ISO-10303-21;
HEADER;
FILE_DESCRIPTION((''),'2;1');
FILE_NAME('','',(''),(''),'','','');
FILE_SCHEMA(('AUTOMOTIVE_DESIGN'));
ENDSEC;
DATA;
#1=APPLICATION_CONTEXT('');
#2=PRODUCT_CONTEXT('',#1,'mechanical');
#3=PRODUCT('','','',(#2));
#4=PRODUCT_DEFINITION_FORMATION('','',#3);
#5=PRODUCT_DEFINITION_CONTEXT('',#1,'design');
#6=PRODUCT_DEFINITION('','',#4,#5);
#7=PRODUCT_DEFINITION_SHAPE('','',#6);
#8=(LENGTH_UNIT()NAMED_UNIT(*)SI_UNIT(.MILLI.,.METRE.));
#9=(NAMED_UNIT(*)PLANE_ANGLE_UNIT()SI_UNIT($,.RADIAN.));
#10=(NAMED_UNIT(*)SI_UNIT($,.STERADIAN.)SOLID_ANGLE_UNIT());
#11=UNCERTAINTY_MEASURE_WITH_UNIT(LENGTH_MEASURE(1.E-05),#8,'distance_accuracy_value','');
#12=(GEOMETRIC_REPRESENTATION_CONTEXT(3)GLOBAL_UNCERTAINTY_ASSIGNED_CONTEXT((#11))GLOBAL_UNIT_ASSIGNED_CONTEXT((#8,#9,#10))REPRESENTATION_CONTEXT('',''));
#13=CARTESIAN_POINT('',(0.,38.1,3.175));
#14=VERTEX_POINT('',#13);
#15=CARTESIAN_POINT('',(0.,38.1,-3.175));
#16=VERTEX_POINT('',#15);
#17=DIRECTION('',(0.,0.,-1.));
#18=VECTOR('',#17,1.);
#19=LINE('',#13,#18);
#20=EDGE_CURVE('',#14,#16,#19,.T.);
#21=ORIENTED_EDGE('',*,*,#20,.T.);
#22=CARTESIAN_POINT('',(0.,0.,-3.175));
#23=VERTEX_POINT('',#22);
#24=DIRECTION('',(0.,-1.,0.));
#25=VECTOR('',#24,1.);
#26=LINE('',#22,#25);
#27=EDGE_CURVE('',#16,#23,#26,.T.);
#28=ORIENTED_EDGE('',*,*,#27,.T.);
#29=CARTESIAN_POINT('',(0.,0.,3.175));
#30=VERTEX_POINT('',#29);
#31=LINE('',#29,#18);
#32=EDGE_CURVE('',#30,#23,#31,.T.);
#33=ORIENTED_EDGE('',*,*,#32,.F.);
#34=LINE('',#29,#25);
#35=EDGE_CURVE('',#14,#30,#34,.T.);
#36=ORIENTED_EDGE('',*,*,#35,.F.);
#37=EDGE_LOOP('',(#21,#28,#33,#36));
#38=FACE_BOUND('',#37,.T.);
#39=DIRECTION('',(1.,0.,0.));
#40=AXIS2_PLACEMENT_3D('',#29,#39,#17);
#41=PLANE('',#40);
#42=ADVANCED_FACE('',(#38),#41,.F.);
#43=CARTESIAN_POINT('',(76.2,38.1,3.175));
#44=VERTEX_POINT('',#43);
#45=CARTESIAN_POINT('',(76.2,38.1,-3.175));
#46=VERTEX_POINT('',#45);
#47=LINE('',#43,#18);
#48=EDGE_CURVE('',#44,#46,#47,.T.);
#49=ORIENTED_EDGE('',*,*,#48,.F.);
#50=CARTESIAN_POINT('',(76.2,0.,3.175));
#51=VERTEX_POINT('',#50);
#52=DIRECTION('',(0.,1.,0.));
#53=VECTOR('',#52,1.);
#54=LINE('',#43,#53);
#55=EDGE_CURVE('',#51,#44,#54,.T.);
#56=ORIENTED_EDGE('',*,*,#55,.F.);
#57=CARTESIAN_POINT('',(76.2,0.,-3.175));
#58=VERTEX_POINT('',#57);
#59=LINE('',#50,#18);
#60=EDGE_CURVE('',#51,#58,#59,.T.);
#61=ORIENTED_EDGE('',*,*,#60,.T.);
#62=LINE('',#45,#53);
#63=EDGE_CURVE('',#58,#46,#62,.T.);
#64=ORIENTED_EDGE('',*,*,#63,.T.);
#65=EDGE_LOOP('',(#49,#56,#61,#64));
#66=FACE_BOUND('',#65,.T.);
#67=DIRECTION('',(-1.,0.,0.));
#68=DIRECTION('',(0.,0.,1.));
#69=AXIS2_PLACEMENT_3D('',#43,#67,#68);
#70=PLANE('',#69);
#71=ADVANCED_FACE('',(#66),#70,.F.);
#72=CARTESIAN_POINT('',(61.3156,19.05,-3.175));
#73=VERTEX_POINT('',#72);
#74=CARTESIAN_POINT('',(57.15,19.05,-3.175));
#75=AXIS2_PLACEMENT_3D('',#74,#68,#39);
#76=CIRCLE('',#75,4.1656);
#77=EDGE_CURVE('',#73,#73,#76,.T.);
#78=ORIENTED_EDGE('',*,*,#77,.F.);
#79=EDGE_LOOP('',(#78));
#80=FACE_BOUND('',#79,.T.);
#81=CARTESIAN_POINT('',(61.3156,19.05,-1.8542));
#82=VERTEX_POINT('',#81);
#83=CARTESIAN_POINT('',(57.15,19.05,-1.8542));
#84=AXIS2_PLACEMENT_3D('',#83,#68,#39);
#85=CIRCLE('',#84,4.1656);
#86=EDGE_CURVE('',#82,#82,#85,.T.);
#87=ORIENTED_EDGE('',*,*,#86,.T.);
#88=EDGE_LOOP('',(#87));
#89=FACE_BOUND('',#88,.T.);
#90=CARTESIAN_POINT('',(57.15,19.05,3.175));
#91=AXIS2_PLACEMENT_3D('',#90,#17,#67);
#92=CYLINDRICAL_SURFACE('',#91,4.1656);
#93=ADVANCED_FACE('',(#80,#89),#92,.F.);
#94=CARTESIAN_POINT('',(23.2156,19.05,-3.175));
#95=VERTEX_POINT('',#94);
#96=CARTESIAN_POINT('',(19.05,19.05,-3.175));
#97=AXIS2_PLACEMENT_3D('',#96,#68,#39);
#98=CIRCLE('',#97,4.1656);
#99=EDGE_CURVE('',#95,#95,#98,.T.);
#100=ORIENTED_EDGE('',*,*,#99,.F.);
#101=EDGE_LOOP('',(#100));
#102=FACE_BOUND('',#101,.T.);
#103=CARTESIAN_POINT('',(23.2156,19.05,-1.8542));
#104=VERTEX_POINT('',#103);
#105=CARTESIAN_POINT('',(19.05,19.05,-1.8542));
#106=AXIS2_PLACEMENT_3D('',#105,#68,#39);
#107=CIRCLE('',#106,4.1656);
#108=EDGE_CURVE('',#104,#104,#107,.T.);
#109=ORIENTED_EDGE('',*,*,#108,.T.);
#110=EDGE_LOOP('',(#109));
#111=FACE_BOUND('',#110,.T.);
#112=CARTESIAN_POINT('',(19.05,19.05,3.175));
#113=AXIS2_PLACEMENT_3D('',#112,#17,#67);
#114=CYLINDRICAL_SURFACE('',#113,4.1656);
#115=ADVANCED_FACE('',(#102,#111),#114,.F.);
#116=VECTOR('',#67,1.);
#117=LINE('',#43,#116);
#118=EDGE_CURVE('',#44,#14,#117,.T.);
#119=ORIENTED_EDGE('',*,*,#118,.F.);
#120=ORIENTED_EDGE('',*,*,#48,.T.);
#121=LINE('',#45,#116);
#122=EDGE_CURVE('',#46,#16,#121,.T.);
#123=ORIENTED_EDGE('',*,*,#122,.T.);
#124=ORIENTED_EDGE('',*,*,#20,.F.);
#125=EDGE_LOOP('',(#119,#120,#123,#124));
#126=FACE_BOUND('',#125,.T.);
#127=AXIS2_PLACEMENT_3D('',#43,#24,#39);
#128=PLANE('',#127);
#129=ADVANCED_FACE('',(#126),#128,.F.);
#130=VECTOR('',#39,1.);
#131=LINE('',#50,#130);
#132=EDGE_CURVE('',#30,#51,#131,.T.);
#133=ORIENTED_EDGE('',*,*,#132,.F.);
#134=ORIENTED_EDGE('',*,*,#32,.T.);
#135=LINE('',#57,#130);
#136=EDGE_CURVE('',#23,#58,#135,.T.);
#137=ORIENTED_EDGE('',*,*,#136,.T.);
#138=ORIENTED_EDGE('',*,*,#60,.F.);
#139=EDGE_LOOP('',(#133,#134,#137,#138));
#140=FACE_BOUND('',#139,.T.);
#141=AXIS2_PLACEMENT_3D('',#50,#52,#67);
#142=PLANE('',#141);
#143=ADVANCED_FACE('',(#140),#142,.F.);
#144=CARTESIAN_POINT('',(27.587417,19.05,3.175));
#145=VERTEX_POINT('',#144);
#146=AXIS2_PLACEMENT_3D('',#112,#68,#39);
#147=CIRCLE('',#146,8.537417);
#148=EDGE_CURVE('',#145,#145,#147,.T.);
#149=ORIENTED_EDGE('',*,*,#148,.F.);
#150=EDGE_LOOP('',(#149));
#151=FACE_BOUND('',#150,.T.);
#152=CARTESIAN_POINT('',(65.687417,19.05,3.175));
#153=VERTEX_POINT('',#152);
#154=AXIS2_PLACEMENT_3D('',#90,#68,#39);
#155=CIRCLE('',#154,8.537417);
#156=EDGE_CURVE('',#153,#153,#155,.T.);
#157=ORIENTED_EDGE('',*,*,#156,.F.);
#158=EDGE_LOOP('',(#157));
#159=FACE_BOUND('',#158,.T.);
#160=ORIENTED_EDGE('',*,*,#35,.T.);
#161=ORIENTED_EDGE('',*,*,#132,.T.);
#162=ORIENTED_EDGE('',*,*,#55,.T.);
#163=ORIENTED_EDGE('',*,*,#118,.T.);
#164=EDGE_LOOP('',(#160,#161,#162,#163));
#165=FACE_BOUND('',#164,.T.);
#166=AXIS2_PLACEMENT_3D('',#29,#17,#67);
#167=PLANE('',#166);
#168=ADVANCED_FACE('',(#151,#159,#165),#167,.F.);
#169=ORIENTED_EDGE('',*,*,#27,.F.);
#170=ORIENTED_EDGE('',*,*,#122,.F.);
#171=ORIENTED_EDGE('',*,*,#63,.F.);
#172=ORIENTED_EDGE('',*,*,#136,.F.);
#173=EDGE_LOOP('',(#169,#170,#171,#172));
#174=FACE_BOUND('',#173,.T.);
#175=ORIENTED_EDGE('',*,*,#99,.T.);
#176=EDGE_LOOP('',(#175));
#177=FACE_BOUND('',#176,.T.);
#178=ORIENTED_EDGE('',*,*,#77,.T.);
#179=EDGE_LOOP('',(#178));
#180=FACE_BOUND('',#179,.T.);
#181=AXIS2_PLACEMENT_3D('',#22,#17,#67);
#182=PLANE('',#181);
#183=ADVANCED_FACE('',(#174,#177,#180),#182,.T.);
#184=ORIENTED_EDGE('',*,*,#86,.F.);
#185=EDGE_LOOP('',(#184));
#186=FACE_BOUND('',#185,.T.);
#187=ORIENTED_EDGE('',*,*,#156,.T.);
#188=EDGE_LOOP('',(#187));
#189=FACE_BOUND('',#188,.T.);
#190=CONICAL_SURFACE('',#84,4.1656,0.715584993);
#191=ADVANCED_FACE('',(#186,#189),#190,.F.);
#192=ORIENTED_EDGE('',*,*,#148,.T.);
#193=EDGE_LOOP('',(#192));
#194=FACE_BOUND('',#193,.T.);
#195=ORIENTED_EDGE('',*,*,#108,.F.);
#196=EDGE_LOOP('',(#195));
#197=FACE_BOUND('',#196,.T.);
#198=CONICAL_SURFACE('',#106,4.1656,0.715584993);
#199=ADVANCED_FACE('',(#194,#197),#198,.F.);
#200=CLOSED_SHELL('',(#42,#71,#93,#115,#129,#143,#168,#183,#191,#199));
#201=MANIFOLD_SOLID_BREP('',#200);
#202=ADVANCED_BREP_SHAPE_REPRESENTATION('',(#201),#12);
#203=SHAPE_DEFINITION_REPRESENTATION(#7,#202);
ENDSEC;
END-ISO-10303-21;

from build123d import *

# Parameters (mm, degrees)
SKETCH1_W                    = 76.2
SKETCH1_H                    = 38.1
SKETCH1_R                    = 4.1656
BOSS_EXTRUDE1_DEPTH          = 3.175
CUT_EXTRUDE1_START           = -5.0292
SKETCH2_R                    = 4.1656
CUT_EXTRUDE1_DEPTH           = 91.459712699
CUT_EXTRUDE1_DRAFT           = -41
CUT_EXTRUDE1_PROFILE_2_DEPTH = 91.459712699
CUT_EXTRUDE1_PROFILE_2_DRAFT = -41


with BuildPart() as part:
    # Sketch1 → Boss-Extrude1 (new, symmetric)
    with BuildSketch(Plane.XY):
        with Locations((38.1, 19.05)):
            Rectangle(SKETCH1_W, SKETCH1_H)
        with Locations((19.05, 19.05)):
            Circle(SKETCH1_R, mode=Mode.SUBTRACT)
        with Locations((57.15, 19.05)):
            Circle(SKETCH1_R, mode=Mode.SUBTRACT)
    extrude(amount=BOSS_EXTRUDE1_DEPTH, both=True)


with BuildPart() as cut_extrude1_tool:
    # Sketch2 → Cut-Extrude1 (with draft: the straight prism first)
    with BuildSketch(Plane.XY.offset(3.175).offset(CUT_EXTRUDE1_START)):
        with Locations((19.05, 19.05)):
            Circle(SKETCH2_R)
    extrude(amount=CUT_EXTRUDE1_DEPTH)
    # Cut-Extrude1: the draft: its side faces are tilted about the plane it starts from
    cut_extrude1_sides = [cut_extrude1_tool.faces().sort_by_distance(p)[0] for p in [
        (14.8844, 19.05, 43.875656349),
    ]]
    draft(cut_extrude1_sides, Plane.XY.offset(3.175).offset(CUT_EXTRUDE1_START), CUT_EXTRUDE1_DRAFT)


with BuildPart() as part_1:
    add(part.part)

    # Cut-Extrude1: cut by cut_extrude1_tool
    add(cut_extrude1_tool.part, mode=Mode.SUBTRACT)


with BuildPart() as cut_extrude1_profile_2_tool:
    # Sketch2 → Cut-Extrude1 profile 2 (with draft: the straight prism first)
    with BuildSketch(Plane.XY.offset(3.175).offset(CUT_EXTRUDE1_START)):
        with Locations((57.15, 19.05)):
            Circle(SKETCH2_R)
    extrude(amount=CUT_EXTRUDE1_PROFILE_2_DEPTH)
    # Cut-Extrude1 profile 2: the draft: its side faces are tilted about the plane it starts from
    cut_extrude1_profile_2_sides = [cut_extrude1_profile_2_tool.faces().sort_by_distance(p)[0] for p in [
        (52.9844, 19.05, 43.875656349),
    ]]
    draft(cut_extrude1_profile_2_sides, Plane.XY.offset(3.175).offset(CUT_EXTRUDE1_START), CUT_EXTRUDE1_PROFILE_2_DRAFT)


with BuildPart() as part_2:
    add(part_1.part)

    # Cut-Extrude1 profile 2: cut by cut_extrude1_profile_2_tool
    add(cut_extrude1_profile_2_tool.part, mode=Mode.SUBTRACT)


solid = part_2.part
